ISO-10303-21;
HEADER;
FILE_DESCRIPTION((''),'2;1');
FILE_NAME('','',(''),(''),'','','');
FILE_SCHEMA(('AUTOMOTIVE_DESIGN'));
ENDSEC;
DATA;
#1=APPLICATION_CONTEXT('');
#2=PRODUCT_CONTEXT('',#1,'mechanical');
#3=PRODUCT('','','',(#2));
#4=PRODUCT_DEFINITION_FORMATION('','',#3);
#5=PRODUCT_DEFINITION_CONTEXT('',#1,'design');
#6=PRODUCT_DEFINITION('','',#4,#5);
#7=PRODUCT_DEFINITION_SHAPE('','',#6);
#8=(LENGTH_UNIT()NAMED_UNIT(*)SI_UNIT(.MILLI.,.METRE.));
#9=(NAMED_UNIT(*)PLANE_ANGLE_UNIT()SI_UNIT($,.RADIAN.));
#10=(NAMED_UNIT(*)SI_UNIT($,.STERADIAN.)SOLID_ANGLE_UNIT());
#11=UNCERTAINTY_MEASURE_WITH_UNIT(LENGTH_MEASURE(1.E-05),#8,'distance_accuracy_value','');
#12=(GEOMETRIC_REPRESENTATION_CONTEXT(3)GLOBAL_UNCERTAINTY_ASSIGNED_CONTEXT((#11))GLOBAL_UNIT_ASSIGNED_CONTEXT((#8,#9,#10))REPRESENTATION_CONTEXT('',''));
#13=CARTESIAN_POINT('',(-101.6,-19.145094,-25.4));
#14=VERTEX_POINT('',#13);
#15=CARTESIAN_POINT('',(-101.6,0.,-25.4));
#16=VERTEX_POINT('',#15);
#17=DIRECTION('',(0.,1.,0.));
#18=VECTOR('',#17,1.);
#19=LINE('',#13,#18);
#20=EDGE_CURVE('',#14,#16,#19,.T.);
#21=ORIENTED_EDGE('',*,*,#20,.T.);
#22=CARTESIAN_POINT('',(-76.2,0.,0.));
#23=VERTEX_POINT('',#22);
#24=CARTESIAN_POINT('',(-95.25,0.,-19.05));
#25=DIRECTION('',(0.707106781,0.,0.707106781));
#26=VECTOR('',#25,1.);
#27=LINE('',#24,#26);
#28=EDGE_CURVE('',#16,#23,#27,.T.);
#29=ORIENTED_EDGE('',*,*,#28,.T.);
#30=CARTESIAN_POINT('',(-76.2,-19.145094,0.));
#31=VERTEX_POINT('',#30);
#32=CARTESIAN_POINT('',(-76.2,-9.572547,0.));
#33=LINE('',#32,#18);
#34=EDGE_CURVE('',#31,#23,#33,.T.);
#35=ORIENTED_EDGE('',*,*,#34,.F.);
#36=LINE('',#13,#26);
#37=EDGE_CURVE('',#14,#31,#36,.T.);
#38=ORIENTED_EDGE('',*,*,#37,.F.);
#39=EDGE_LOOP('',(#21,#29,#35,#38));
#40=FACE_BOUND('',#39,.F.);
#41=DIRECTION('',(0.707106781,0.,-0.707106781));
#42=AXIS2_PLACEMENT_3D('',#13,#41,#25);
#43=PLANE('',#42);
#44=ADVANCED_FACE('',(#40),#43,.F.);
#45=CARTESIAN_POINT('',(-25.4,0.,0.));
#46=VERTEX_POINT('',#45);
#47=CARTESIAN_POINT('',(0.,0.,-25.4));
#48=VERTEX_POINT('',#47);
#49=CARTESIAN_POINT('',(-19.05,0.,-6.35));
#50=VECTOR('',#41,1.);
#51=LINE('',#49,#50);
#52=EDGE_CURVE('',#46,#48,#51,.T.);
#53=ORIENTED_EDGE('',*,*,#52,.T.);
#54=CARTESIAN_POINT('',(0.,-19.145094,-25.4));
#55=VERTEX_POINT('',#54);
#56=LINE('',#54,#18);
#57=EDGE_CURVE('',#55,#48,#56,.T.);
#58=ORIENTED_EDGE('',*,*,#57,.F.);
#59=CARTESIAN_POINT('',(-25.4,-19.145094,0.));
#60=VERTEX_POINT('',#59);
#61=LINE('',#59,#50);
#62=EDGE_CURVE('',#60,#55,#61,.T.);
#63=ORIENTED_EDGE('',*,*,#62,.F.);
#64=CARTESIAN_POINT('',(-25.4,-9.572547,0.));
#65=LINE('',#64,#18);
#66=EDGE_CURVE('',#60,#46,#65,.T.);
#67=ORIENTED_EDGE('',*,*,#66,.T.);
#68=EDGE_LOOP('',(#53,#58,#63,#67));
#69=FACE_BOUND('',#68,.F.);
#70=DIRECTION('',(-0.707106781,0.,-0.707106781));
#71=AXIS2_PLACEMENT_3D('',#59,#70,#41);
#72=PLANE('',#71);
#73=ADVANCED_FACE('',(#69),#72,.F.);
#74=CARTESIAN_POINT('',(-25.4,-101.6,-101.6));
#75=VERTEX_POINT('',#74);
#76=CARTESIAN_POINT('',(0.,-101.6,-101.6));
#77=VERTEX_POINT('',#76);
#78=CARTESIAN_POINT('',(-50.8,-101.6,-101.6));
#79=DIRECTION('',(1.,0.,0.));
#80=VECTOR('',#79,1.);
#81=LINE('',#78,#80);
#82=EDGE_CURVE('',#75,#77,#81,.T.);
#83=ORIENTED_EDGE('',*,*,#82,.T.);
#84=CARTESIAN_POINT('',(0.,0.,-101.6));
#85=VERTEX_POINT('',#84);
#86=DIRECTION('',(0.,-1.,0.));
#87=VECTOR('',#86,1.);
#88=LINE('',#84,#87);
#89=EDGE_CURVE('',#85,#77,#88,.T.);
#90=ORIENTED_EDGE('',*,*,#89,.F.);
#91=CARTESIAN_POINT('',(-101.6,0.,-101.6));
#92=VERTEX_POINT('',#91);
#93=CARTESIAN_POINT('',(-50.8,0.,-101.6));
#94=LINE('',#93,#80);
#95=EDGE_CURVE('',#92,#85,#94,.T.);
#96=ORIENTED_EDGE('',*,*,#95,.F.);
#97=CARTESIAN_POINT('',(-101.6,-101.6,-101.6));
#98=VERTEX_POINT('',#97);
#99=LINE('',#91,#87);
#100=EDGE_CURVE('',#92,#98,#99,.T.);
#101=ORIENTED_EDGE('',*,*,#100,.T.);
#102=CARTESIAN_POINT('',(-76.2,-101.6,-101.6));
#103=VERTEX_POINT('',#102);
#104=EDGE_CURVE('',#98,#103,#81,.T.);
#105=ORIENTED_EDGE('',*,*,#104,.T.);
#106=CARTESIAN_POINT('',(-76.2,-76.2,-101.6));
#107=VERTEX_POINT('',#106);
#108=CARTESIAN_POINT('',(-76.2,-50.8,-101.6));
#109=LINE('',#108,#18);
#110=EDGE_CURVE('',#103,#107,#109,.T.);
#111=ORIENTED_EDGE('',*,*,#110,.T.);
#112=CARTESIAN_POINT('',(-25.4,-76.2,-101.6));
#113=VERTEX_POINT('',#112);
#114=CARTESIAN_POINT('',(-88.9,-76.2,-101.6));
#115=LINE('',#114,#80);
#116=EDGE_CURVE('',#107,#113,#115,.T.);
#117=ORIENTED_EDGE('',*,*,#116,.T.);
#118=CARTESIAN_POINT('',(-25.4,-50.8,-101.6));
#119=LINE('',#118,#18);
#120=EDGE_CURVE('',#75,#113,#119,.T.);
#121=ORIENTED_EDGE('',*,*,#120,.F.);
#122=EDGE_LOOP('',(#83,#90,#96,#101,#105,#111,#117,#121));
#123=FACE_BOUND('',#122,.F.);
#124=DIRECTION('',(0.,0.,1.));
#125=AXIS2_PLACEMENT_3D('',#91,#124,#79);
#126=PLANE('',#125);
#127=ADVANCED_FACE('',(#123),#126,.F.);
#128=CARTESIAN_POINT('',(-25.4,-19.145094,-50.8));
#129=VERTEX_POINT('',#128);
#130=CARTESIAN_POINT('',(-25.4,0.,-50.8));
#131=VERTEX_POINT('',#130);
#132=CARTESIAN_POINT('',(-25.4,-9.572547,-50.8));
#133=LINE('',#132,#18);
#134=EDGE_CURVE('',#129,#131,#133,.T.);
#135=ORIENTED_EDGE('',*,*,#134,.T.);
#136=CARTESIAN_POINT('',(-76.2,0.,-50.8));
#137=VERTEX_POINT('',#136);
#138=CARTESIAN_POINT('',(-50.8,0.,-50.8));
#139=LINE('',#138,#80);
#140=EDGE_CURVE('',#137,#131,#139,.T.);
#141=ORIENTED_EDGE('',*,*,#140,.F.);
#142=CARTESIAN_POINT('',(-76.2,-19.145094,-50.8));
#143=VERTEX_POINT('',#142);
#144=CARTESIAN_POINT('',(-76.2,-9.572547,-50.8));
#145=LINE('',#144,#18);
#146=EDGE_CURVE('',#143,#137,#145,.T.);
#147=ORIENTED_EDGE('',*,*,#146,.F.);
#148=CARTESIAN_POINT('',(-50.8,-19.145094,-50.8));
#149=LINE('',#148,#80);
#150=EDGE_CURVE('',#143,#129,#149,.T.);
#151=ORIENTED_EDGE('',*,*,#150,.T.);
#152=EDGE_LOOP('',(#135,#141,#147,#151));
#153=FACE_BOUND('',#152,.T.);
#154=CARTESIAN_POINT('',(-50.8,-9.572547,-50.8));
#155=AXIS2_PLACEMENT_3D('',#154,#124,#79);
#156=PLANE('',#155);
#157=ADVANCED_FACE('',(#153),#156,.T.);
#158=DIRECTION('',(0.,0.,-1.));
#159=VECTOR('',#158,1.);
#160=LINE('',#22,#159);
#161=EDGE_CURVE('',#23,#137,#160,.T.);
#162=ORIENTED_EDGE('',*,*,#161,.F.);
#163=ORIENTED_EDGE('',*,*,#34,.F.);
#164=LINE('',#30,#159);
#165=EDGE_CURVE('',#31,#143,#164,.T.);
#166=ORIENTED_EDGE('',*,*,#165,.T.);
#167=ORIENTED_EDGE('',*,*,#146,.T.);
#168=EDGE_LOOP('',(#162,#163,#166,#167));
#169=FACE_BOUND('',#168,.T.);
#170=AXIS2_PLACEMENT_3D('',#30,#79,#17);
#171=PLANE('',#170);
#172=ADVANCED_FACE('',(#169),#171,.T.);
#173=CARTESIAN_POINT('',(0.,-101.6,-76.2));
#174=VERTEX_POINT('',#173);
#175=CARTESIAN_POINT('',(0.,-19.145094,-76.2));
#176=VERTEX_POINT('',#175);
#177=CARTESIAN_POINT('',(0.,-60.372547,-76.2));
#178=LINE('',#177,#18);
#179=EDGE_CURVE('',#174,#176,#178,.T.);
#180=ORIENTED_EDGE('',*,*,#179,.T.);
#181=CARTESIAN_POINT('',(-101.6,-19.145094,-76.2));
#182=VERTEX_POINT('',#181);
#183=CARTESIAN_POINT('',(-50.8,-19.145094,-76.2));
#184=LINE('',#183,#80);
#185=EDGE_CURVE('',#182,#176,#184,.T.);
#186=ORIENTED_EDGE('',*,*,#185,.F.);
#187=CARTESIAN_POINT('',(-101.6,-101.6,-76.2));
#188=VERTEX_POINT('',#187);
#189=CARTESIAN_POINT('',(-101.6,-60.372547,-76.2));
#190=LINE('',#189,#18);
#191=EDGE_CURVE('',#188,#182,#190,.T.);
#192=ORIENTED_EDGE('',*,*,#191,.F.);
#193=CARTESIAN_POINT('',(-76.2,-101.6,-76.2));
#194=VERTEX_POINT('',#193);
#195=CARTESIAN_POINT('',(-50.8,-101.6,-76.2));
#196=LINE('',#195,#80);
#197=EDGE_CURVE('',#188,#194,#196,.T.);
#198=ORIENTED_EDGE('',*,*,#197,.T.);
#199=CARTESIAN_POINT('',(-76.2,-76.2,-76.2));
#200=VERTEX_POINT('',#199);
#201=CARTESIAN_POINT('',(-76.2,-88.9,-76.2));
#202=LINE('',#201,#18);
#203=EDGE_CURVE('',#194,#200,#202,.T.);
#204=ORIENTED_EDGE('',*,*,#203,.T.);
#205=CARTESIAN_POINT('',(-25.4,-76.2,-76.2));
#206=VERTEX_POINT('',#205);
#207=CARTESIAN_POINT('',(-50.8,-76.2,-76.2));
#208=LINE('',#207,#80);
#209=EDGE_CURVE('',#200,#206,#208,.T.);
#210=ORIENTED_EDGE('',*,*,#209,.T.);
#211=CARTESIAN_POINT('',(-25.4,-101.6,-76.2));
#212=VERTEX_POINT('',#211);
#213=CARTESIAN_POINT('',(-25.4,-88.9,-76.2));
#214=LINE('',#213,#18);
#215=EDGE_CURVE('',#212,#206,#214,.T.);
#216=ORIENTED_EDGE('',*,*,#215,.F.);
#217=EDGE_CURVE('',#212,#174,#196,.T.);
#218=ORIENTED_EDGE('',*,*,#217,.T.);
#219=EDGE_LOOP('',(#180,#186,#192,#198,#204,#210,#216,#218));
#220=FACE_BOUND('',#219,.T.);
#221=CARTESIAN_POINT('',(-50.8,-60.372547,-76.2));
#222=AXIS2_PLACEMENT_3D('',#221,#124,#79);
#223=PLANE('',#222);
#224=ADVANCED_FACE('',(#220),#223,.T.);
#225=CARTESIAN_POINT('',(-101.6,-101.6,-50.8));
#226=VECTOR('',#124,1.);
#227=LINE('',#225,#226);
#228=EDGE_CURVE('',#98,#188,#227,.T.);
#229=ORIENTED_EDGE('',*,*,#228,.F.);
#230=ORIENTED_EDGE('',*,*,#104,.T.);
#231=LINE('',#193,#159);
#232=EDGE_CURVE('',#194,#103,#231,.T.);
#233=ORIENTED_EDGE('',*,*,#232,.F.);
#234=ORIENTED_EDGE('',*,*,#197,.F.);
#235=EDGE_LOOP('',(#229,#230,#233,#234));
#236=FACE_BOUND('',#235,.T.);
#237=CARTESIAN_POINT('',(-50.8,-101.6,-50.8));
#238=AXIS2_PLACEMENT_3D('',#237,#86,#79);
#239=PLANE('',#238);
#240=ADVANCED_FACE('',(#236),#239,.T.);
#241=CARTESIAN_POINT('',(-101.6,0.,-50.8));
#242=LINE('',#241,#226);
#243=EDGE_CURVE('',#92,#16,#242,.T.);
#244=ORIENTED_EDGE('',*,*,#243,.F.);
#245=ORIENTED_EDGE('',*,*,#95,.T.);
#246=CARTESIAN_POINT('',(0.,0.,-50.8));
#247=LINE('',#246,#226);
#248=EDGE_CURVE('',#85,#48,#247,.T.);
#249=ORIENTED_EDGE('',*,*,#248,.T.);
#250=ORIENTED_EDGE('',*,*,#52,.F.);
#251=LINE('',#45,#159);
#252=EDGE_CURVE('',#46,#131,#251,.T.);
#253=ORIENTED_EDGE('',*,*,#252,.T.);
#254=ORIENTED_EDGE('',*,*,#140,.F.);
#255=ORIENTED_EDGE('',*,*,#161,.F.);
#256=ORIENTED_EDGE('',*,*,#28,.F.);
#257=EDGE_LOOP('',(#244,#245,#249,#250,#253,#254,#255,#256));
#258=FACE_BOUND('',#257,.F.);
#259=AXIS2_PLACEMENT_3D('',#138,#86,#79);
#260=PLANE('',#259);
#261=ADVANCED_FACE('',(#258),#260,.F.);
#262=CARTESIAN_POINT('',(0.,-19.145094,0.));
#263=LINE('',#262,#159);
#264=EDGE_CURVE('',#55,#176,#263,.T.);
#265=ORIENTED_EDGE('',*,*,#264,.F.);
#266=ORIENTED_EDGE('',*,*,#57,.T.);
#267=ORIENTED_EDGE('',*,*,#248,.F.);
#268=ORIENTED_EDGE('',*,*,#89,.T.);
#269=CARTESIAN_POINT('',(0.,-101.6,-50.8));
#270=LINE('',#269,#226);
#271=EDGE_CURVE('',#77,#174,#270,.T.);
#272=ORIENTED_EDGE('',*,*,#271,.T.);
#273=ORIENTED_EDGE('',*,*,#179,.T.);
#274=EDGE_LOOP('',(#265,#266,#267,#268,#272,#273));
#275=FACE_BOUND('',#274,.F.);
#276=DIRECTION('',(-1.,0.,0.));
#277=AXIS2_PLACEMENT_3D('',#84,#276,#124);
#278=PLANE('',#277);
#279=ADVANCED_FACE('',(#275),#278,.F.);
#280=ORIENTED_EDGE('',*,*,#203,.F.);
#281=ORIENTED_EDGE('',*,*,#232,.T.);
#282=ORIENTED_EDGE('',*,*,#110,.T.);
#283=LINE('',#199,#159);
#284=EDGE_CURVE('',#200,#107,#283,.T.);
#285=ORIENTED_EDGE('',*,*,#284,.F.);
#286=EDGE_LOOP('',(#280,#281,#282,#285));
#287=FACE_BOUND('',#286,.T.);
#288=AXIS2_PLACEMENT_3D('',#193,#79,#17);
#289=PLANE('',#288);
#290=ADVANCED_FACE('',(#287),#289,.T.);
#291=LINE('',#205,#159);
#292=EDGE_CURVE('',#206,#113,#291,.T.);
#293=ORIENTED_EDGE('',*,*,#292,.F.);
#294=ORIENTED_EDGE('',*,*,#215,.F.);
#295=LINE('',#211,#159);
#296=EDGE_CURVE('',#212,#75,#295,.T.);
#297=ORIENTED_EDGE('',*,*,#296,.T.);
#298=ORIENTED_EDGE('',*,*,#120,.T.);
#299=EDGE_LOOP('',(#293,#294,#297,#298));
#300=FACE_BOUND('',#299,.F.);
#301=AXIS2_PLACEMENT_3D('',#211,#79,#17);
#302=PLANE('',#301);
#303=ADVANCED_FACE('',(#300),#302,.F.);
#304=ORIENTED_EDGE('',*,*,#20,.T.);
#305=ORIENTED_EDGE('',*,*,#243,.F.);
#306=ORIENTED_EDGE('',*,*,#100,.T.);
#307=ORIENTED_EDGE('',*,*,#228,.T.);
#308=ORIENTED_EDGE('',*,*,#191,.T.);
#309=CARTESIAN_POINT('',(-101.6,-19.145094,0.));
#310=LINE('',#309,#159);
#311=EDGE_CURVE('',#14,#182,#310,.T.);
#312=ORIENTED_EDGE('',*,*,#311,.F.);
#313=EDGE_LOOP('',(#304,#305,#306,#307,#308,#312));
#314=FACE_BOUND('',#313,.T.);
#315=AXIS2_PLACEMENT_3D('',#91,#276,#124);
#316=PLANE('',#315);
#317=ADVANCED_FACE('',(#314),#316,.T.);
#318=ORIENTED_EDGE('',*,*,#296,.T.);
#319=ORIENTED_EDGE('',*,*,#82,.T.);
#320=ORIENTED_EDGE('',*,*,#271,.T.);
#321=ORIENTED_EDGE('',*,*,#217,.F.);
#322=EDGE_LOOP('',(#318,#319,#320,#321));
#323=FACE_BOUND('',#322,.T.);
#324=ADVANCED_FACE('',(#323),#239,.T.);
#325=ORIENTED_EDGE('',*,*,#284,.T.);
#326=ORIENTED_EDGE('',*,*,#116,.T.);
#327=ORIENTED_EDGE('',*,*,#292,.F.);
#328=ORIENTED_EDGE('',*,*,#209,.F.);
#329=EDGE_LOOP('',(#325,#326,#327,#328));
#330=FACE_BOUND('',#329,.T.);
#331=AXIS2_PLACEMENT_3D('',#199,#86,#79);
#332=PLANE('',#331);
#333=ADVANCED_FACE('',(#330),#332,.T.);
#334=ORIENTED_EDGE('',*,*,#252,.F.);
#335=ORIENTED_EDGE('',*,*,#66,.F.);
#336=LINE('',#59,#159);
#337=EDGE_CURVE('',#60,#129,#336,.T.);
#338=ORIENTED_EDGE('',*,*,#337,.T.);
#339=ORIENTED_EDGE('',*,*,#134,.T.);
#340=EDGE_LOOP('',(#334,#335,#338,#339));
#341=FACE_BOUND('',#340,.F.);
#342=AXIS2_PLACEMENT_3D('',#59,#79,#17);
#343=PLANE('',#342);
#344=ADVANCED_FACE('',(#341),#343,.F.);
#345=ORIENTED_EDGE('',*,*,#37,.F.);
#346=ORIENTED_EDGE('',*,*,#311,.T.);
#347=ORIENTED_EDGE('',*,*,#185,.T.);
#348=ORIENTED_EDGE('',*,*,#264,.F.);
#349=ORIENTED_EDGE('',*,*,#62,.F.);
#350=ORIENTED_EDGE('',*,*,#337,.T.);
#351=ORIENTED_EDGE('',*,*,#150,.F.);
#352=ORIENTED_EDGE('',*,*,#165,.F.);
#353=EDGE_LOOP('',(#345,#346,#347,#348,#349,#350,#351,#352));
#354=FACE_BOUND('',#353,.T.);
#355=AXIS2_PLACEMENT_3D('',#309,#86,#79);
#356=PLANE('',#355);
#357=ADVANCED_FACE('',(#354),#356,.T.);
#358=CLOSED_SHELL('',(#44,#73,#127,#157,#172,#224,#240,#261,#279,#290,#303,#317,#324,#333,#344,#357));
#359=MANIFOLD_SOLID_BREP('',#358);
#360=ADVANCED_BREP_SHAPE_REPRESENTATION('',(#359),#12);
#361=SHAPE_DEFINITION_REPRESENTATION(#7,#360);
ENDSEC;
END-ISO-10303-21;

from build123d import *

# Parameters (mm, degrees)
F0_W     = 101.6
F0_H     = 101.6
F1_DEPTH = 101.6
F2_W     = 101.6
F2_H     = 82.4549061418
F3_DEPTH = 76.2
F4_W     = 50.8
F4_H     = 25.4
F5_DEPTH = 50.546
F6_W     = 50.8
F6_H     = 19.1450938582
F7_DEPTH = 50.8
F9_DEPTH = 136.906


with BuildPart() as f1:
    # F0 (on Front) → F1 (new body)
    with BuildSketch(Plane.XZ):
        with Locations((-50.8, -50.8)):
            Rectangle(F0_W, F0_H)
    extrude(amount=F1_DEPTH)

    # F2 (on face) → F3 (cut)
    with BuildSketch(Plane.XY):
        with Locations((-50.8, -60.3725469291)):
            Rectangle(F2_W, F2_H)
    extrude(amount=-F3_DEPTH, mode=Mode.SUBTRACT)

    # F4 (on face) → F5 (cut)
    with BuildSketch(Plane.XY.offset(-76.2)):
        with Locations((-50.8, -88.9)):
            Rectangle(F4_W, F4_H)
    extrude(amount=-F5_DEPTH, mode=Mode.SUBTRACT)

    # F6 (on face) → F7 (cut)
    with BuildSketch(Plane.XY):
        with Locations((-50.8, -9.5725469291)):
            Rectangle(F6_W, F6_H)
    extrude(amount=-F7_DEPTH, mode=Mode.SUBTRACT)

    # F8 (on face) → F9 (cut)
    with BuildSketch(Plane.XZ.offset(19.1450938582)):
        Polygon((-101.6, 0), (-101.6, -25.4), (-76.2, 0), align=None)
        Polygon((-25.4, 0), (0, -25.4), (0, 0), align=None)
    extrude(amount=-F9_DEPTH, mode=Mode.SUBTRACT)


solid = f1.part
